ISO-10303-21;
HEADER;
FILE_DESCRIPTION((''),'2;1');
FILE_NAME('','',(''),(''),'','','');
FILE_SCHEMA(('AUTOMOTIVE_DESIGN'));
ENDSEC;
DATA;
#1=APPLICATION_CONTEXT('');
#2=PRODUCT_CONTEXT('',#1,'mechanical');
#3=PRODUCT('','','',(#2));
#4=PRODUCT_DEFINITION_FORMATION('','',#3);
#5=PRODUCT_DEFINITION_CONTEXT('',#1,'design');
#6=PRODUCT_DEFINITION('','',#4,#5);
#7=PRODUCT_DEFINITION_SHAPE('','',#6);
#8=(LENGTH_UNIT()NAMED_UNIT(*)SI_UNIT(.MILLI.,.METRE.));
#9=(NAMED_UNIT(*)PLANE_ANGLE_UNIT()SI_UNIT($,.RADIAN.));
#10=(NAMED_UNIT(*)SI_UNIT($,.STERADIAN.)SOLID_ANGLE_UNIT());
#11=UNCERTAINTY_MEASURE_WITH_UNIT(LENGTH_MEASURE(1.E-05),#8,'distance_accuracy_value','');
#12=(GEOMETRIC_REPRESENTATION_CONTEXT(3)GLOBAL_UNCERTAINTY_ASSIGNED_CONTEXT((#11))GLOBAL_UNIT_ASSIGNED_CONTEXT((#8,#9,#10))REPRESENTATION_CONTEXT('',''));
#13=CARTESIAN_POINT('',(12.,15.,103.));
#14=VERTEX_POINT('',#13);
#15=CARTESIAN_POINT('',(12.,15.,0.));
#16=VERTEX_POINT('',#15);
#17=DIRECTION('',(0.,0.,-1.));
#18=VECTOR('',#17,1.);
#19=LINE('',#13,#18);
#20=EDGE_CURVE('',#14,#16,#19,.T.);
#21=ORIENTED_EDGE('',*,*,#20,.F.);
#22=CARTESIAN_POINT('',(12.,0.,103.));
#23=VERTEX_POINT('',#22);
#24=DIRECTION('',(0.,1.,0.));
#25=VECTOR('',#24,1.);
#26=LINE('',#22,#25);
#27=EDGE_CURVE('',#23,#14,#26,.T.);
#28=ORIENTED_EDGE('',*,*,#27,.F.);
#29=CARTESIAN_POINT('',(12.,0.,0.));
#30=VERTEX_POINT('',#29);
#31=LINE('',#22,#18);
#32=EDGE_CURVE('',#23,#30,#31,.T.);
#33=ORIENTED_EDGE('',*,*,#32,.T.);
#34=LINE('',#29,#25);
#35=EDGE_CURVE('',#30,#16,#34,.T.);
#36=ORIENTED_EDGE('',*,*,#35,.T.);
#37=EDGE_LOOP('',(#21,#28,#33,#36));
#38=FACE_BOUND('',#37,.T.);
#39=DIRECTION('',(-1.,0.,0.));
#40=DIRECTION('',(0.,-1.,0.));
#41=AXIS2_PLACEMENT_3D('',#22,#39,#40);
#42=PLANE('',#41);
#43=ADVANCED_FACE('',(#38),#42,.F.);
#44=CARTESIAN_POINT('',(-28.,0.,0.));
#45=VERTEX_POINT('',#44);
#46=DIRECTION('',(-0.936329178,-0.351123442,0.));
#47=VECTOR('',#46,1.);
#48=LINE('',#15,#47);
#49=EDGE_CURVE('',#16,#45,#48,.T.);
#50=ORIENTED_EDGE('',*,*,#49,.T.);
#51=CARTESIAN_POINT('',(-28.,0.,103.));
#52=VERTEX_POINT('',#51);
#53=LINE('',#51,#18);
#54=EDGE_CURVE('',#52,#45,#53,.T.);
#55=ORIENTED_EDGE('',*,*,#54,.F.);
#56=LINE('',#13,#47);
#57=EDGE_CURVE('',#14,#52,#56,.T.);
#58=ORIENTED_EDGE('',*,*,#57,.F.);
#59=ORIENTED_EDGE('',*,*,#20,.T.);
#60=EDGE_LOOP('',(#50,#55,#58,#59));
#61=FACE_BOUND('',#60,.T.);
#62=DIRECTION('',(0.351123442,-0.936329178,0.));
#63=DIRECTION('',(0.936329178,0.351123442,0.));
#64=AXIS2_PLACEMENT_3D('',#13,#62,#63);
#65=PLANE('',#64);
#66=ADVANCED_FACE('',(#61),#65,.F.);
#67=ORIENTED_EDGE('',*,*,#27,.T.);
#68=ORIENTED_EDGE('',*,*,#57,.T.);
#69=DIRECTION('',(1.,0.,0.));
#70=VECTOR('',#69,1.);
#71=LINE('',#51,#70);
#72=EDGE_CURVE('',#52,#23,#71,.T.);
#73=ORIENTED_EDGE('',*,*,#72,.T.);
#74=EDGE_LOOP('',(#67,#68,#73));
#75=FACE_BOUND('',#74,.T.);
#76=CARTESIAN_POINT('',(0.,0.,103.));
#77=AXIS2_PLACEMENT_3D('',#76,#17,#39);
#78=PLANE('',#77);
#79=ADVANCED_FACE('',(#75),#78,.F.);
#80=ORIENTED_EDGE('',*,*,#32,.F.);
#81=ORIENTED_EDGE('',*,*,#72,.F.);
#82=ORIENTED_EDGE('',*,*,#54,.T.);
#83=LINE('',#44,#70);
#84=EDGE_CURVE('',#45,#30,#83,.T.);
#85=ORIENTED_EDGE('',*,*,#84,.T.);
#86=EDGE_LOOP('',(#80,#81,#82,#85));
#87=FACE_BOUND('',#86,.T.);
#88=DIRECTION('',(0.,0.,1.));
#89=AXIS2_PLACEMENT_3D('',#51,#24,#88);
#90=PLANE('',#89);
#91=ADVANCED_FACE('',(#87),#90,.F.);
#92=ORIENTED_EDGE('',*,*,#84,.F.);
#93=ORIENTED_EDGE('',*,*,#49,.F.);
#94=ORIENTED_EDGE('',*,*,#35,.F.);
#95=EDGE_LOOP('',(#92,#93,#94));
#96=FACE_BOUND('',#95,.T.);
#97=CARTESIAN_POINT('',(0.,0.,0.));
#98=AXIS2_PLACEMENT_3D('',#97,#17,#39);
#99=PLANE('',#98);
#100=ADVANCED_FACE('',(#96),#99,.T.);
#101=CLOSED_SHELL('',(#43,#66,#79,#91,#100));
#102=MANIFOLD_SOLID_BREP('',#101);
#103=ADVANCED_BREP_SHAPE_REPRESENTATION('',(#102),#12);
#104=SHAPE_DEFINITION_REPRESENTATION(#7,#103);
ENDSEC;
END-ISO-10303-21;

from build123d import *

# Parameters (mm, degrees)
BOSS_EXTRUDE1_DEPTH = 103


with BuildPart() as part:
    # Sketch1 → Boss-Extrude1 (new body)
    with BuildSketch(Plane.XY):
        Polygon((12, 15), (-28, 0), (12, 0), align=None)
    extrude(amount=BOSS_EXTRUDE1_DEPTH)


solid = part.part
